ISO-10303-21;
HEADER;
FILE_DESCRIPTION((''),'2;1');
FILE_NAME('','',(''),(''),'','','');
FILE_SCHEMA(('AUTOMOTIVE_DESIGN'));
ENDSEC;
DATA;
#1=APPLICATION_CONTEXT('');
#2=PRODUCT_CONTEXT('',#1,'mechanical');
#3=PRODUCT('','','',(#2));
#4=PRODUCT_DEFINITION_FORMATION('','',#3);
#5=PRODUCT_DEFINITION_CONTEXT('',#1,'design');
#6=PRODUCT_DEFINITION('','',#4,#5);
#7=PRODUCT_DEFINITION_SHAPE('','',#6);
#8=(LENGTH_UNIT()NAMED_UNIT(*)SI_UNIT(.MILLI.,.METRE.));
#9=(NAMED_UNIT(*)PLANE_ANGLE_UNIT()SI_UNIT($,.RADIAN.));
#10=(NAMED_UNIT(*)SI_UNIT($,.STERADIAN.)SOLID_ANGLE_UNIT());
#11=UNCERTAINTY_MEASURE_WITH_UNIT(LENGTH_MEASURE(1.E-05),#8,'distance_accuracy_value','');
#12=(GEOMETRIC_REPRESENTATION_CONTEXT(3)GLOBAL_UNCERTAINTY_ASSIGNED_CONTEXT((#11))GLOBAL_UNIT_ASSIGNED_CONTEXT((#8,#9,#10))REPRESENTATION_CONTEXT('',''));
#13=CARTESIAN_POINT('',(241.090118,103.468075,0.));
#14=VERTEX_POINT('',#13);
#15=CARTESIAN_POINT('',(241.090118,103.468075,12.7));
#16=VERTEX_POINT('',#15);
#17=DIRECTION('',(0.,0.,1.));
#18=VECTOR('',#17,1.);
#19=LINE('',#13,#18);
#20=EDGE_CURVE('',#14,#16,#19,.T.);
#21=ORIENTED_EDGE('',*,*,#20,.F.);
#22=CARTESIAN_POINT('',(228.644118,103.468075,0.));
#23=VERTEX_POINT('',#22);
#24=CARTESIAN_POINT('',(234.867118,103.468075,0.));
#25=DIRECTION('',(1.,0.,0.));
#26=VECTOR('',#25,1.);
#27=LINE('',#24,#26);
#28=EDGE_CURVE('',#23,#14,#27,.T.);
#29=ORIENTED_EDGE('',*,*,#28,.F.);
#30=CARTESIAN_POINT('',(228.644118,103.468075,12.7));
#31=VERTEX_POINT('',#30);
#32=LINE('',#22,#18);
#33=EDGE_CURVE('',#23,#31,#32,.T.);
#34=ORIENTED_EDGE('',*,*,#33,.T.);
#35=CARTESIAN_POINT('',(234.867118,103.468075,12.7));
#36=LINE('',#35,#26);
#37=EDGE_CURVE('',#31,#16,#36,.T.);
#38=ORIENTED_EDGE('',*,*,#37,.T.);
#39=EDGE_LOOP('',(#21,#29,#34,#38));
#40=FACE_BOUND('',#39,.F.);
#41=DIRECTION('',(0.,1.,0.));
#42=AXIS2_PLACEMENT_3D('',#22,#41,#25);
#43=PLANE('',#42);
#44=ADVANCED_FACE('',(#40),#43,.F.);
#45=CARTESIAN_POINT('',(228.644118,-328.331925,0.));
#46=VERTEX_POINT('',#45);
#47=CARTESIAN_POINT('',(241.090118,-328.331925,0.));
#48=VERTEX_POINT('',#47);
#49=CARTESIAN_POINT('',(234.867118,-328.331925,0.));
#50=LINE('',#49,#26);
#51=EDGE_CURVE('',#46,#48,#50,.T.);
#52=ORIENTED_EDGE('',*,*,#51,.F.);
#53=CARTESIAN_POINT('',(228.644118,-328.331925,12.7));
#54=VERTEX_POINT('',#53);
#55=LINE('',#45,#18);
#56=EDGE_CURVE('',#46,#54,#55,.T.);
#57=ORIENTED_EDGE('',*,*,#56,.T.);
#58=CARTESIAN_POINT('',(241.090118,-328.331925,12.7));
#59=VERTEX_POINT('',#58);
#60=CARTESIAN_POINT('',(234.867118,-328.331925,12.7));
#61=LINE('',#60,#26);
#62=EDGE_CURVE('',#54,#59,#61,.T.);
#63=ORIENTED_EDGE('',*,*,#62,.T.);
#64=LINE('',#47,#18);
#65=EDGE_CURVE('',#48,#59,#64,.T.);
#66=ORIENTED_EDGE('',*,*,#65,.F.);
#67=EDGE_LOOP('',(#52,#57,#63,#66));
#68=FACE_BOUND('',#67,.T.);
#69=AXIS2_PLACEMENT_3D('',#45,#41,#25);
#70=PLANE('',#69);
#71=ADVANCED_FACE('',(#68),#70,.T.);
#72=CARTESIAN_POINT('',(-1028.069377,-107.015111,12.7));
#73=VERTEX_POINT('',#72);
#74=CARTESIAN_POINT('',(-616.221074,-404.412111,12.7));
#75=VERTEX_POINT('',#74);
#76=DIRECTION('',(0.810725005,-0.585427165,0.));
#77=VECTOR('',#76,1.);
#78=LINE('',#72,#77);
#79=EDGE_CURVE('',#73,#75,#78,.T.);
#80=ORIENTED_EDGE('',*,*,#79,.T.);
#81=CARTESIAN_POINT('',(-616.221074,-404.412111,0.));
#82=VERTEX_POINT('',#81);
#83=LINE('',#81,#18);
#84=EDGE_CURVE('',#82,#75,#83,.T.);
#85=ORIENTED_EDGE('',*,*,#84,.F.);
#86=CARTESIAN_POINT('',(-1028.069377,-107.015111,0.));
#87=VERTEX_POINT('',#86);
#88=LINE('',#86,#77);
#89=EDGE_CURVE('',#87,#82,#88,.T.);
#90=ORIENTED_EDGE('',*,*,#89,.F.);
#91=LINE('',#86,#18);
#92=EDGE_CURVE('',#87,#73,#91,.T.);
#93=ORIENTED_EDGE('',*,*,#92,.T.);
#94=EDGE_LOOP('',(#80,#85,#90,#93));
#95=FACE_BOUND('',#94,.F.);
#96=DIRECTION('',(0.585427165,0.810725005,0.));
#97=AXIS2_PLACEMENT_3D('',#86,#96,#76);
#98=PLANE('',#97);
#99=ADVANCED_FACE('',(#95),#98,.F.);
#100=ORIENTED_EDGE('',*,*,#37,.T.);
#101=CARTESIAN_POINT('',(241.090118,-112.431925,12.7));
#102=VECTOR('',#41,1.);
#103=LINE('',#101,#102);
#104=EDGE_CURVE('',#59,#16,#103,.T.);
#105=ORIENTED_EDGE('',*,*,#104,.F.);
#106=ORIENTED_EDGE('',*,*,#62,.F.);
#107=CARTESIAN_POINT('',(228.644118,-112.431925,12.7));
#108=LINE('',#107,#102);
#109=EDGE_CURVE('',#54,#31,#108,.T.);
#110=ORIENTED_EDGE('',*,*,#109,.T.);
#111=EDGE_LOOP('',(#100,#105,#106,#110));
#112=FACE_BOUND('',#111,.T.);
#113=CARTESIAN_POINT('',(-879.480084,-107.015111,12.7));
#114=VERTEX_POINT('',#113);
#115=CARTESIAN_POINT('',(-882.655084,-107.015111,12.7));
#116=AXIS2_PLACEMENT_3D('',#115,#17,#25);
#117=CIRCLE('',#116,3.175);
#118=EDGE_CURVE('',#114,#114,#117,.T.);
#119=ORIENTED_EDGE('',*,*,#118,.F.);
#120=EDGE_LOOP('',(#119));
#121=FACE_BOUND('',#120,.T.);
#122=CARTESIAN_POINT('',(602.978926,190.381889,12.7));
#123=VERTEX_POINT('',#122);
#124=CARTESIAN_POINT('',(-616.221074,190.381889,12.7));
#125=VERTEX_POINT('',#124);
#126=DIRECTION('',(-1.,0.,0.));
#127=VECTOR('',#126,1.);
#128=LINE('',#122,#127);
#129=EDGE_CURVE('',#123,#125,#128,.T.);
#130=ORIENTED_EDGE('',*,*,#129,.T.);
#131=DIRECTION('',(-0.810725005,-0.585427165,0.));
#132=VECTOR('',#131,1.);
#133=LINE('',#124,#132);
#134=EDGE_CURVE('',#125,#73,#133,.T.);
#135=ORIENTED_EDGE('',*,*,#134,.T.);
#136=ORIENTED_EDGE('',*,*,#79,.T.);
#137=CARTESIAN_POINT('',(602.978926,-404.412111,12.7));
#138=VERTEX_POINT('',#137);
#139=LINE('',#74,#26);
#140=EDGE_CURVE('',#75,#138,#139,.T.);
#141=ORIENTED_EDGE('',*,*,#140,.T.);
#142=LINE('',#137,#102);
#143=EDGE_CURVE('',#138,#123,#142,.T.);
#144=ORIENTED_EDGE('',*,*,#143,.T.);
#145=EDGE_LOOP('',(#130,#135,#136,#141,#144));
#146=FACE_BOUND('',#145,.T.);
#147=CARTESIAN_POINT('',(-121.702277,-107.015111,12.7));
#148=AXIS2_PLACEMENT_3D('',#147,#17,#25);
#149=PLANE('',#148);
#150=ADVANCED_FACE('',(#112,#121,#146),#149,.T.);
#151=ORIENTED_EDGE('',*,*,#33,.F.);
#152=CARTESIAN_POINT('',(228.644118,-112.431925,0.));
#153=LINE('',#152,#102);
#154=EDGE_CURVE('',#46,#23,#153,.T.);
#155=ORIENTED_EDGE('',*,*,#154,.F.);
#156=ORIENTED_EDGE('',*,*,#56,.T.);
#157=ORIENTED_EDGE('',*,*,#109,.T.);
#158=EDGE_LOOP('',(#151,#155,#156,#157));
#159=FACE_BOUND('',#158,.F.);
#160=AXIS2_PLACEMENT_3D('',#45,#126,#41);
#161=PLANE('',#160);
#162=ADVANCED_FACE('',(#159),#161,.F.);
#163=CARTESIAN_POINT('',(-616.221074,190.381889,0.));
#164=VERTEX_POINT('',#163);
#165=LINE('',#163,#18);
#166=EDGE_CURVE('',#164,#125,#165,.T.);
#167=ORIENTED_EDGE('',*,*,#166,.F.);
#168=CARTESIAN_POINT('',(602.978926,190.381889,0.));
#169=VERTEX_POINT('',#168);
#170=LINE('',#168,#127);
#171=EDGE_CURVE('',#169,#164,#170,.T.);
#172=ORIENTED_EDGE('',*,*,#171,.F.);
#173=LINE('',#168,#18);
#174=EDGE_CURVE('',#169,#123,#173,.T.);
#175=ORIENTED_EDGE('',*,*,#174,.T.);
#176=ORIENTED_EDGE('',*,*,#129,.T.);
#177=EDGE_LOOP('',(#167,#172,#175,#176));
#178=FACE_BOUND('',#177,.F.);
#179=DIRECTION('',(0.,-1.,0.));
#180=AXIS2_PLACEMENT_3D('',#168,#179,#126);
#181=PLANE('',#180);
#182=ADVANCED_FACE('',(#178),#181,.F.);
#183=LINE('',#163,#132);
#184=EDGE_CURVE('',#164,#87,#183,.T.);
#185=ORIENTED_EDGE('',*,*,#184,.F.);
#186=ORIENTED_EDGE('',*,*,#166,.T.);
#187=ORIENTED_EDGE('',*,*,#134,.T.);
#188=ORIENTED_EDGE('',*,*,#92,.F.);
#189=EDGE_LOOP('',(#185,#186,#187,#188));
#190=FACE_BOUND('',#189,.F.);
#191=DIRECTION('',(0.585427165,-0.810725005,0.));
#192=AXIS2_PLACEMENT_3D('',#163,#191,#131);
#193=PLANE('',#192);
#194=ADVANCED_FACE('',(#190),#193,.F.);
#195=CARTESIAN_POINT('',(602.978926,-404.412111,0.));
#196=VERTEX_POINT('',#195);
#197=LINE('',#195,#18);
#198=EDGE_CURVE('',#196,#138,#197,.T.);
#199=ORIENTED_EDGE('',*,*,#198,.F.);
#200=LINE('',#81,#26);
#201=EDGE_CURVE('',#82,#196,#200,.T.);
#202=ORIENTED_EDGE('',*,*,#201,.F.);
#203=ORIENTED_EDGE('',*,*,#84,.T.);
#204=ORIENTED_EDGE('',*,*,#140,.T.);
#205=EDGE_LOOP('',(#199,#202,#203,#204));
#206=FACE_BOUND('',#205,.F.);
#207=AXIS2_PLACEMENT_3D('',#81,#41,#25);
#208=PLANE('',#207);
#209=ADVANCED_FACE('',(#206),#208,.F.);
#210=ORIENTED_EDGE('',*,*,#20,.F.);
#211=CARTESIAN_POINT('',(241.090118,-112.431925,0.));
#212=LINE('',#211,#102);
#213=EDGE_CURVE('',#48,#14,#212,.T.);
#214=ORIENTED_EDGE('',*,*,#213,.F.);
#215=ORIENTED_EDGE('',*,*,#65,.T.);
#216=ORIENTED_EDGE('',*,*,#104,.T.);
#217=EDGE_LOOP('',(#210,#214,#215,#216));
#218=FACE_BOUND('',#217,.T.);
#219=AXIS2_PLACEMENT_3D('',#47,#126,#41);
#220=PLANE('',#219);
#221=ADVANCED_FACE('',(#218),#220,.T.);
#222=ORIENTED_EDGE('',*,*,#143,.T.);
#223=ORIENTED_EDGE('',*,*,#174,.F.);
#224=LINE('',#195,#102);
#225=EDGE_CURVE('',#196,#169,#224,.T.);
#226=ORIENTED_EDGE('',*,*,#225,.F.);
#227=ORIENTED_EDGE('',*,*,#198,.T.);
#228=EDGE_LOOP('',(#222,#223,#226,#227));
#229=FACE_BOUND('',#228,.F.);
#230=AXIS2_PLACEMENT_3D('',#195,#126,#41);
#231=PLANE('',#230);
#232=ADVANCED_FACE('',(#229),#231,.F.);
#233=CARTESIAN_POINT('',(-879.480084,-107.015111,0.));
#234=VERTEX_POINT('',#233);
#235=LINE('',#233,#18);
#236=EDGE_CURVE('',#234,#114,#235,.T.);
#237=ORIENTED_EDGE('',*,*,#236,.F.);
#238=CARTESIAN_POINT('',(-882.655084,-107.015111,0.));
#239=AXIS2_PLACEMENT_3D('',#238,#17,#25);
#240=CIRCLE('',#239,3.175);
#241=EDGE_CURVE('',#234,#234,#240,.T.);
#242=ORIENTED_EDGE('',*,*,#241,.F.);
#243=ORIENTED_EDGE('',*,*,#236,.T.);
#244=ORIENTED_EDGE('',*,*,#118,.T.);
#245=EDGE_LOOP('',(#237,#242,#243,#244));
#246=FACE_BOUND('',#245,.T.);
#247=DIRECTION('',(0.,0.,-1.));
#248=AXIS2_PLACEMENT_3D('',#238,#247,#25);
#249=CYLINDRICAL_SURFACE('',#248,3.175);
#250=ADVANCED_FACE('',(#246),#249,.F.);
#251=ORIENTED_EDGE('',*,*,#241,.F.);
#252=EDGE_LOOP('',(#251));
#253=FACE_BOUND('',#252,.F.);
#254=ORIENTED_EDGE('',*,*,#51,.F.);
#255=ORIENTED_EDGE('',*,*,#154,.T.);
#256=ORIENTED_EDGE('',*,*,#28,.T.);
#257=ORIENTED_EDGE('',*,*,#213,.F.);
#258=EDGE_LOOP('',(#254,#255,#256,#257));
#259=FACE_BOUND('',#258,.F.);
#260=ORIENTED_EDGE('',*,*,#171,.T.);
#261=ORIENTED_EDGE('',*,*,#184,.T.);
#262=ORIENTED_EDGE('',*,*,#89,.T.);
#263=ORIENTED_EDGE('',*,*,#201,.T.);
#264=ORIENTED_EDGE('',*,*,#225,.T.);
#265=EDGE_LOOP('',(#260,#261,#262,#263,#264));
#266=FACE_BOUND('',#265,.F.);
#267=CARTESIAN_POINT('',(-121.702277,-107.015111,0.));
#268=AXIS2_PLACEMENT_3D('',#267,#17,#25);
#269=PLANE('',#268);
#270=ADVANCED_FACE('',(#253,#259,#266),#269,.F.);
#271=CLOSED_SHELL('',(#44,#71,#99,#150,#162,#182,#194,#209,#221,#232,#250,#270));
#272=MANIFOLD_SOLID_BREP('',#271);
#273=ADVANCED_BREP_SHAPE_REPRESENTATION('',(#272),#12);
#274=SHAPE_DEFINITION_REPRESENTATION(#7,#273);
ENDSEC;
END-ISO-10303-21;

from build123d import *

# Parameters (mm, degrees)
F0_W     = 12.446
F0_H     = 431.8
F0_R     = 3.175
F1_DEPTH = 12.7


with BuildPart() as f1:
    # F0 (on Top) → F1 (new body)
    with BuildSketch(Plane.XY):
        Polygon((602.978926, 190.381889), (-616.221074, 190.381889), (-1028.069377, -107.015111), (-616.221074, -404.412111), (602.978926, -404.412111), align=None)
        with Locations((234.867118, -112.431925)):
            Rectangle(F0_W, F0_H, mode=Mode.SUBTRACT)
        with Locations((-882.655084, -107.015111)):
            Circle(F0_R, mode=Mode.SUBTRACT)
    extrude(amount=F1_DEPTH)


solid = f1.part
